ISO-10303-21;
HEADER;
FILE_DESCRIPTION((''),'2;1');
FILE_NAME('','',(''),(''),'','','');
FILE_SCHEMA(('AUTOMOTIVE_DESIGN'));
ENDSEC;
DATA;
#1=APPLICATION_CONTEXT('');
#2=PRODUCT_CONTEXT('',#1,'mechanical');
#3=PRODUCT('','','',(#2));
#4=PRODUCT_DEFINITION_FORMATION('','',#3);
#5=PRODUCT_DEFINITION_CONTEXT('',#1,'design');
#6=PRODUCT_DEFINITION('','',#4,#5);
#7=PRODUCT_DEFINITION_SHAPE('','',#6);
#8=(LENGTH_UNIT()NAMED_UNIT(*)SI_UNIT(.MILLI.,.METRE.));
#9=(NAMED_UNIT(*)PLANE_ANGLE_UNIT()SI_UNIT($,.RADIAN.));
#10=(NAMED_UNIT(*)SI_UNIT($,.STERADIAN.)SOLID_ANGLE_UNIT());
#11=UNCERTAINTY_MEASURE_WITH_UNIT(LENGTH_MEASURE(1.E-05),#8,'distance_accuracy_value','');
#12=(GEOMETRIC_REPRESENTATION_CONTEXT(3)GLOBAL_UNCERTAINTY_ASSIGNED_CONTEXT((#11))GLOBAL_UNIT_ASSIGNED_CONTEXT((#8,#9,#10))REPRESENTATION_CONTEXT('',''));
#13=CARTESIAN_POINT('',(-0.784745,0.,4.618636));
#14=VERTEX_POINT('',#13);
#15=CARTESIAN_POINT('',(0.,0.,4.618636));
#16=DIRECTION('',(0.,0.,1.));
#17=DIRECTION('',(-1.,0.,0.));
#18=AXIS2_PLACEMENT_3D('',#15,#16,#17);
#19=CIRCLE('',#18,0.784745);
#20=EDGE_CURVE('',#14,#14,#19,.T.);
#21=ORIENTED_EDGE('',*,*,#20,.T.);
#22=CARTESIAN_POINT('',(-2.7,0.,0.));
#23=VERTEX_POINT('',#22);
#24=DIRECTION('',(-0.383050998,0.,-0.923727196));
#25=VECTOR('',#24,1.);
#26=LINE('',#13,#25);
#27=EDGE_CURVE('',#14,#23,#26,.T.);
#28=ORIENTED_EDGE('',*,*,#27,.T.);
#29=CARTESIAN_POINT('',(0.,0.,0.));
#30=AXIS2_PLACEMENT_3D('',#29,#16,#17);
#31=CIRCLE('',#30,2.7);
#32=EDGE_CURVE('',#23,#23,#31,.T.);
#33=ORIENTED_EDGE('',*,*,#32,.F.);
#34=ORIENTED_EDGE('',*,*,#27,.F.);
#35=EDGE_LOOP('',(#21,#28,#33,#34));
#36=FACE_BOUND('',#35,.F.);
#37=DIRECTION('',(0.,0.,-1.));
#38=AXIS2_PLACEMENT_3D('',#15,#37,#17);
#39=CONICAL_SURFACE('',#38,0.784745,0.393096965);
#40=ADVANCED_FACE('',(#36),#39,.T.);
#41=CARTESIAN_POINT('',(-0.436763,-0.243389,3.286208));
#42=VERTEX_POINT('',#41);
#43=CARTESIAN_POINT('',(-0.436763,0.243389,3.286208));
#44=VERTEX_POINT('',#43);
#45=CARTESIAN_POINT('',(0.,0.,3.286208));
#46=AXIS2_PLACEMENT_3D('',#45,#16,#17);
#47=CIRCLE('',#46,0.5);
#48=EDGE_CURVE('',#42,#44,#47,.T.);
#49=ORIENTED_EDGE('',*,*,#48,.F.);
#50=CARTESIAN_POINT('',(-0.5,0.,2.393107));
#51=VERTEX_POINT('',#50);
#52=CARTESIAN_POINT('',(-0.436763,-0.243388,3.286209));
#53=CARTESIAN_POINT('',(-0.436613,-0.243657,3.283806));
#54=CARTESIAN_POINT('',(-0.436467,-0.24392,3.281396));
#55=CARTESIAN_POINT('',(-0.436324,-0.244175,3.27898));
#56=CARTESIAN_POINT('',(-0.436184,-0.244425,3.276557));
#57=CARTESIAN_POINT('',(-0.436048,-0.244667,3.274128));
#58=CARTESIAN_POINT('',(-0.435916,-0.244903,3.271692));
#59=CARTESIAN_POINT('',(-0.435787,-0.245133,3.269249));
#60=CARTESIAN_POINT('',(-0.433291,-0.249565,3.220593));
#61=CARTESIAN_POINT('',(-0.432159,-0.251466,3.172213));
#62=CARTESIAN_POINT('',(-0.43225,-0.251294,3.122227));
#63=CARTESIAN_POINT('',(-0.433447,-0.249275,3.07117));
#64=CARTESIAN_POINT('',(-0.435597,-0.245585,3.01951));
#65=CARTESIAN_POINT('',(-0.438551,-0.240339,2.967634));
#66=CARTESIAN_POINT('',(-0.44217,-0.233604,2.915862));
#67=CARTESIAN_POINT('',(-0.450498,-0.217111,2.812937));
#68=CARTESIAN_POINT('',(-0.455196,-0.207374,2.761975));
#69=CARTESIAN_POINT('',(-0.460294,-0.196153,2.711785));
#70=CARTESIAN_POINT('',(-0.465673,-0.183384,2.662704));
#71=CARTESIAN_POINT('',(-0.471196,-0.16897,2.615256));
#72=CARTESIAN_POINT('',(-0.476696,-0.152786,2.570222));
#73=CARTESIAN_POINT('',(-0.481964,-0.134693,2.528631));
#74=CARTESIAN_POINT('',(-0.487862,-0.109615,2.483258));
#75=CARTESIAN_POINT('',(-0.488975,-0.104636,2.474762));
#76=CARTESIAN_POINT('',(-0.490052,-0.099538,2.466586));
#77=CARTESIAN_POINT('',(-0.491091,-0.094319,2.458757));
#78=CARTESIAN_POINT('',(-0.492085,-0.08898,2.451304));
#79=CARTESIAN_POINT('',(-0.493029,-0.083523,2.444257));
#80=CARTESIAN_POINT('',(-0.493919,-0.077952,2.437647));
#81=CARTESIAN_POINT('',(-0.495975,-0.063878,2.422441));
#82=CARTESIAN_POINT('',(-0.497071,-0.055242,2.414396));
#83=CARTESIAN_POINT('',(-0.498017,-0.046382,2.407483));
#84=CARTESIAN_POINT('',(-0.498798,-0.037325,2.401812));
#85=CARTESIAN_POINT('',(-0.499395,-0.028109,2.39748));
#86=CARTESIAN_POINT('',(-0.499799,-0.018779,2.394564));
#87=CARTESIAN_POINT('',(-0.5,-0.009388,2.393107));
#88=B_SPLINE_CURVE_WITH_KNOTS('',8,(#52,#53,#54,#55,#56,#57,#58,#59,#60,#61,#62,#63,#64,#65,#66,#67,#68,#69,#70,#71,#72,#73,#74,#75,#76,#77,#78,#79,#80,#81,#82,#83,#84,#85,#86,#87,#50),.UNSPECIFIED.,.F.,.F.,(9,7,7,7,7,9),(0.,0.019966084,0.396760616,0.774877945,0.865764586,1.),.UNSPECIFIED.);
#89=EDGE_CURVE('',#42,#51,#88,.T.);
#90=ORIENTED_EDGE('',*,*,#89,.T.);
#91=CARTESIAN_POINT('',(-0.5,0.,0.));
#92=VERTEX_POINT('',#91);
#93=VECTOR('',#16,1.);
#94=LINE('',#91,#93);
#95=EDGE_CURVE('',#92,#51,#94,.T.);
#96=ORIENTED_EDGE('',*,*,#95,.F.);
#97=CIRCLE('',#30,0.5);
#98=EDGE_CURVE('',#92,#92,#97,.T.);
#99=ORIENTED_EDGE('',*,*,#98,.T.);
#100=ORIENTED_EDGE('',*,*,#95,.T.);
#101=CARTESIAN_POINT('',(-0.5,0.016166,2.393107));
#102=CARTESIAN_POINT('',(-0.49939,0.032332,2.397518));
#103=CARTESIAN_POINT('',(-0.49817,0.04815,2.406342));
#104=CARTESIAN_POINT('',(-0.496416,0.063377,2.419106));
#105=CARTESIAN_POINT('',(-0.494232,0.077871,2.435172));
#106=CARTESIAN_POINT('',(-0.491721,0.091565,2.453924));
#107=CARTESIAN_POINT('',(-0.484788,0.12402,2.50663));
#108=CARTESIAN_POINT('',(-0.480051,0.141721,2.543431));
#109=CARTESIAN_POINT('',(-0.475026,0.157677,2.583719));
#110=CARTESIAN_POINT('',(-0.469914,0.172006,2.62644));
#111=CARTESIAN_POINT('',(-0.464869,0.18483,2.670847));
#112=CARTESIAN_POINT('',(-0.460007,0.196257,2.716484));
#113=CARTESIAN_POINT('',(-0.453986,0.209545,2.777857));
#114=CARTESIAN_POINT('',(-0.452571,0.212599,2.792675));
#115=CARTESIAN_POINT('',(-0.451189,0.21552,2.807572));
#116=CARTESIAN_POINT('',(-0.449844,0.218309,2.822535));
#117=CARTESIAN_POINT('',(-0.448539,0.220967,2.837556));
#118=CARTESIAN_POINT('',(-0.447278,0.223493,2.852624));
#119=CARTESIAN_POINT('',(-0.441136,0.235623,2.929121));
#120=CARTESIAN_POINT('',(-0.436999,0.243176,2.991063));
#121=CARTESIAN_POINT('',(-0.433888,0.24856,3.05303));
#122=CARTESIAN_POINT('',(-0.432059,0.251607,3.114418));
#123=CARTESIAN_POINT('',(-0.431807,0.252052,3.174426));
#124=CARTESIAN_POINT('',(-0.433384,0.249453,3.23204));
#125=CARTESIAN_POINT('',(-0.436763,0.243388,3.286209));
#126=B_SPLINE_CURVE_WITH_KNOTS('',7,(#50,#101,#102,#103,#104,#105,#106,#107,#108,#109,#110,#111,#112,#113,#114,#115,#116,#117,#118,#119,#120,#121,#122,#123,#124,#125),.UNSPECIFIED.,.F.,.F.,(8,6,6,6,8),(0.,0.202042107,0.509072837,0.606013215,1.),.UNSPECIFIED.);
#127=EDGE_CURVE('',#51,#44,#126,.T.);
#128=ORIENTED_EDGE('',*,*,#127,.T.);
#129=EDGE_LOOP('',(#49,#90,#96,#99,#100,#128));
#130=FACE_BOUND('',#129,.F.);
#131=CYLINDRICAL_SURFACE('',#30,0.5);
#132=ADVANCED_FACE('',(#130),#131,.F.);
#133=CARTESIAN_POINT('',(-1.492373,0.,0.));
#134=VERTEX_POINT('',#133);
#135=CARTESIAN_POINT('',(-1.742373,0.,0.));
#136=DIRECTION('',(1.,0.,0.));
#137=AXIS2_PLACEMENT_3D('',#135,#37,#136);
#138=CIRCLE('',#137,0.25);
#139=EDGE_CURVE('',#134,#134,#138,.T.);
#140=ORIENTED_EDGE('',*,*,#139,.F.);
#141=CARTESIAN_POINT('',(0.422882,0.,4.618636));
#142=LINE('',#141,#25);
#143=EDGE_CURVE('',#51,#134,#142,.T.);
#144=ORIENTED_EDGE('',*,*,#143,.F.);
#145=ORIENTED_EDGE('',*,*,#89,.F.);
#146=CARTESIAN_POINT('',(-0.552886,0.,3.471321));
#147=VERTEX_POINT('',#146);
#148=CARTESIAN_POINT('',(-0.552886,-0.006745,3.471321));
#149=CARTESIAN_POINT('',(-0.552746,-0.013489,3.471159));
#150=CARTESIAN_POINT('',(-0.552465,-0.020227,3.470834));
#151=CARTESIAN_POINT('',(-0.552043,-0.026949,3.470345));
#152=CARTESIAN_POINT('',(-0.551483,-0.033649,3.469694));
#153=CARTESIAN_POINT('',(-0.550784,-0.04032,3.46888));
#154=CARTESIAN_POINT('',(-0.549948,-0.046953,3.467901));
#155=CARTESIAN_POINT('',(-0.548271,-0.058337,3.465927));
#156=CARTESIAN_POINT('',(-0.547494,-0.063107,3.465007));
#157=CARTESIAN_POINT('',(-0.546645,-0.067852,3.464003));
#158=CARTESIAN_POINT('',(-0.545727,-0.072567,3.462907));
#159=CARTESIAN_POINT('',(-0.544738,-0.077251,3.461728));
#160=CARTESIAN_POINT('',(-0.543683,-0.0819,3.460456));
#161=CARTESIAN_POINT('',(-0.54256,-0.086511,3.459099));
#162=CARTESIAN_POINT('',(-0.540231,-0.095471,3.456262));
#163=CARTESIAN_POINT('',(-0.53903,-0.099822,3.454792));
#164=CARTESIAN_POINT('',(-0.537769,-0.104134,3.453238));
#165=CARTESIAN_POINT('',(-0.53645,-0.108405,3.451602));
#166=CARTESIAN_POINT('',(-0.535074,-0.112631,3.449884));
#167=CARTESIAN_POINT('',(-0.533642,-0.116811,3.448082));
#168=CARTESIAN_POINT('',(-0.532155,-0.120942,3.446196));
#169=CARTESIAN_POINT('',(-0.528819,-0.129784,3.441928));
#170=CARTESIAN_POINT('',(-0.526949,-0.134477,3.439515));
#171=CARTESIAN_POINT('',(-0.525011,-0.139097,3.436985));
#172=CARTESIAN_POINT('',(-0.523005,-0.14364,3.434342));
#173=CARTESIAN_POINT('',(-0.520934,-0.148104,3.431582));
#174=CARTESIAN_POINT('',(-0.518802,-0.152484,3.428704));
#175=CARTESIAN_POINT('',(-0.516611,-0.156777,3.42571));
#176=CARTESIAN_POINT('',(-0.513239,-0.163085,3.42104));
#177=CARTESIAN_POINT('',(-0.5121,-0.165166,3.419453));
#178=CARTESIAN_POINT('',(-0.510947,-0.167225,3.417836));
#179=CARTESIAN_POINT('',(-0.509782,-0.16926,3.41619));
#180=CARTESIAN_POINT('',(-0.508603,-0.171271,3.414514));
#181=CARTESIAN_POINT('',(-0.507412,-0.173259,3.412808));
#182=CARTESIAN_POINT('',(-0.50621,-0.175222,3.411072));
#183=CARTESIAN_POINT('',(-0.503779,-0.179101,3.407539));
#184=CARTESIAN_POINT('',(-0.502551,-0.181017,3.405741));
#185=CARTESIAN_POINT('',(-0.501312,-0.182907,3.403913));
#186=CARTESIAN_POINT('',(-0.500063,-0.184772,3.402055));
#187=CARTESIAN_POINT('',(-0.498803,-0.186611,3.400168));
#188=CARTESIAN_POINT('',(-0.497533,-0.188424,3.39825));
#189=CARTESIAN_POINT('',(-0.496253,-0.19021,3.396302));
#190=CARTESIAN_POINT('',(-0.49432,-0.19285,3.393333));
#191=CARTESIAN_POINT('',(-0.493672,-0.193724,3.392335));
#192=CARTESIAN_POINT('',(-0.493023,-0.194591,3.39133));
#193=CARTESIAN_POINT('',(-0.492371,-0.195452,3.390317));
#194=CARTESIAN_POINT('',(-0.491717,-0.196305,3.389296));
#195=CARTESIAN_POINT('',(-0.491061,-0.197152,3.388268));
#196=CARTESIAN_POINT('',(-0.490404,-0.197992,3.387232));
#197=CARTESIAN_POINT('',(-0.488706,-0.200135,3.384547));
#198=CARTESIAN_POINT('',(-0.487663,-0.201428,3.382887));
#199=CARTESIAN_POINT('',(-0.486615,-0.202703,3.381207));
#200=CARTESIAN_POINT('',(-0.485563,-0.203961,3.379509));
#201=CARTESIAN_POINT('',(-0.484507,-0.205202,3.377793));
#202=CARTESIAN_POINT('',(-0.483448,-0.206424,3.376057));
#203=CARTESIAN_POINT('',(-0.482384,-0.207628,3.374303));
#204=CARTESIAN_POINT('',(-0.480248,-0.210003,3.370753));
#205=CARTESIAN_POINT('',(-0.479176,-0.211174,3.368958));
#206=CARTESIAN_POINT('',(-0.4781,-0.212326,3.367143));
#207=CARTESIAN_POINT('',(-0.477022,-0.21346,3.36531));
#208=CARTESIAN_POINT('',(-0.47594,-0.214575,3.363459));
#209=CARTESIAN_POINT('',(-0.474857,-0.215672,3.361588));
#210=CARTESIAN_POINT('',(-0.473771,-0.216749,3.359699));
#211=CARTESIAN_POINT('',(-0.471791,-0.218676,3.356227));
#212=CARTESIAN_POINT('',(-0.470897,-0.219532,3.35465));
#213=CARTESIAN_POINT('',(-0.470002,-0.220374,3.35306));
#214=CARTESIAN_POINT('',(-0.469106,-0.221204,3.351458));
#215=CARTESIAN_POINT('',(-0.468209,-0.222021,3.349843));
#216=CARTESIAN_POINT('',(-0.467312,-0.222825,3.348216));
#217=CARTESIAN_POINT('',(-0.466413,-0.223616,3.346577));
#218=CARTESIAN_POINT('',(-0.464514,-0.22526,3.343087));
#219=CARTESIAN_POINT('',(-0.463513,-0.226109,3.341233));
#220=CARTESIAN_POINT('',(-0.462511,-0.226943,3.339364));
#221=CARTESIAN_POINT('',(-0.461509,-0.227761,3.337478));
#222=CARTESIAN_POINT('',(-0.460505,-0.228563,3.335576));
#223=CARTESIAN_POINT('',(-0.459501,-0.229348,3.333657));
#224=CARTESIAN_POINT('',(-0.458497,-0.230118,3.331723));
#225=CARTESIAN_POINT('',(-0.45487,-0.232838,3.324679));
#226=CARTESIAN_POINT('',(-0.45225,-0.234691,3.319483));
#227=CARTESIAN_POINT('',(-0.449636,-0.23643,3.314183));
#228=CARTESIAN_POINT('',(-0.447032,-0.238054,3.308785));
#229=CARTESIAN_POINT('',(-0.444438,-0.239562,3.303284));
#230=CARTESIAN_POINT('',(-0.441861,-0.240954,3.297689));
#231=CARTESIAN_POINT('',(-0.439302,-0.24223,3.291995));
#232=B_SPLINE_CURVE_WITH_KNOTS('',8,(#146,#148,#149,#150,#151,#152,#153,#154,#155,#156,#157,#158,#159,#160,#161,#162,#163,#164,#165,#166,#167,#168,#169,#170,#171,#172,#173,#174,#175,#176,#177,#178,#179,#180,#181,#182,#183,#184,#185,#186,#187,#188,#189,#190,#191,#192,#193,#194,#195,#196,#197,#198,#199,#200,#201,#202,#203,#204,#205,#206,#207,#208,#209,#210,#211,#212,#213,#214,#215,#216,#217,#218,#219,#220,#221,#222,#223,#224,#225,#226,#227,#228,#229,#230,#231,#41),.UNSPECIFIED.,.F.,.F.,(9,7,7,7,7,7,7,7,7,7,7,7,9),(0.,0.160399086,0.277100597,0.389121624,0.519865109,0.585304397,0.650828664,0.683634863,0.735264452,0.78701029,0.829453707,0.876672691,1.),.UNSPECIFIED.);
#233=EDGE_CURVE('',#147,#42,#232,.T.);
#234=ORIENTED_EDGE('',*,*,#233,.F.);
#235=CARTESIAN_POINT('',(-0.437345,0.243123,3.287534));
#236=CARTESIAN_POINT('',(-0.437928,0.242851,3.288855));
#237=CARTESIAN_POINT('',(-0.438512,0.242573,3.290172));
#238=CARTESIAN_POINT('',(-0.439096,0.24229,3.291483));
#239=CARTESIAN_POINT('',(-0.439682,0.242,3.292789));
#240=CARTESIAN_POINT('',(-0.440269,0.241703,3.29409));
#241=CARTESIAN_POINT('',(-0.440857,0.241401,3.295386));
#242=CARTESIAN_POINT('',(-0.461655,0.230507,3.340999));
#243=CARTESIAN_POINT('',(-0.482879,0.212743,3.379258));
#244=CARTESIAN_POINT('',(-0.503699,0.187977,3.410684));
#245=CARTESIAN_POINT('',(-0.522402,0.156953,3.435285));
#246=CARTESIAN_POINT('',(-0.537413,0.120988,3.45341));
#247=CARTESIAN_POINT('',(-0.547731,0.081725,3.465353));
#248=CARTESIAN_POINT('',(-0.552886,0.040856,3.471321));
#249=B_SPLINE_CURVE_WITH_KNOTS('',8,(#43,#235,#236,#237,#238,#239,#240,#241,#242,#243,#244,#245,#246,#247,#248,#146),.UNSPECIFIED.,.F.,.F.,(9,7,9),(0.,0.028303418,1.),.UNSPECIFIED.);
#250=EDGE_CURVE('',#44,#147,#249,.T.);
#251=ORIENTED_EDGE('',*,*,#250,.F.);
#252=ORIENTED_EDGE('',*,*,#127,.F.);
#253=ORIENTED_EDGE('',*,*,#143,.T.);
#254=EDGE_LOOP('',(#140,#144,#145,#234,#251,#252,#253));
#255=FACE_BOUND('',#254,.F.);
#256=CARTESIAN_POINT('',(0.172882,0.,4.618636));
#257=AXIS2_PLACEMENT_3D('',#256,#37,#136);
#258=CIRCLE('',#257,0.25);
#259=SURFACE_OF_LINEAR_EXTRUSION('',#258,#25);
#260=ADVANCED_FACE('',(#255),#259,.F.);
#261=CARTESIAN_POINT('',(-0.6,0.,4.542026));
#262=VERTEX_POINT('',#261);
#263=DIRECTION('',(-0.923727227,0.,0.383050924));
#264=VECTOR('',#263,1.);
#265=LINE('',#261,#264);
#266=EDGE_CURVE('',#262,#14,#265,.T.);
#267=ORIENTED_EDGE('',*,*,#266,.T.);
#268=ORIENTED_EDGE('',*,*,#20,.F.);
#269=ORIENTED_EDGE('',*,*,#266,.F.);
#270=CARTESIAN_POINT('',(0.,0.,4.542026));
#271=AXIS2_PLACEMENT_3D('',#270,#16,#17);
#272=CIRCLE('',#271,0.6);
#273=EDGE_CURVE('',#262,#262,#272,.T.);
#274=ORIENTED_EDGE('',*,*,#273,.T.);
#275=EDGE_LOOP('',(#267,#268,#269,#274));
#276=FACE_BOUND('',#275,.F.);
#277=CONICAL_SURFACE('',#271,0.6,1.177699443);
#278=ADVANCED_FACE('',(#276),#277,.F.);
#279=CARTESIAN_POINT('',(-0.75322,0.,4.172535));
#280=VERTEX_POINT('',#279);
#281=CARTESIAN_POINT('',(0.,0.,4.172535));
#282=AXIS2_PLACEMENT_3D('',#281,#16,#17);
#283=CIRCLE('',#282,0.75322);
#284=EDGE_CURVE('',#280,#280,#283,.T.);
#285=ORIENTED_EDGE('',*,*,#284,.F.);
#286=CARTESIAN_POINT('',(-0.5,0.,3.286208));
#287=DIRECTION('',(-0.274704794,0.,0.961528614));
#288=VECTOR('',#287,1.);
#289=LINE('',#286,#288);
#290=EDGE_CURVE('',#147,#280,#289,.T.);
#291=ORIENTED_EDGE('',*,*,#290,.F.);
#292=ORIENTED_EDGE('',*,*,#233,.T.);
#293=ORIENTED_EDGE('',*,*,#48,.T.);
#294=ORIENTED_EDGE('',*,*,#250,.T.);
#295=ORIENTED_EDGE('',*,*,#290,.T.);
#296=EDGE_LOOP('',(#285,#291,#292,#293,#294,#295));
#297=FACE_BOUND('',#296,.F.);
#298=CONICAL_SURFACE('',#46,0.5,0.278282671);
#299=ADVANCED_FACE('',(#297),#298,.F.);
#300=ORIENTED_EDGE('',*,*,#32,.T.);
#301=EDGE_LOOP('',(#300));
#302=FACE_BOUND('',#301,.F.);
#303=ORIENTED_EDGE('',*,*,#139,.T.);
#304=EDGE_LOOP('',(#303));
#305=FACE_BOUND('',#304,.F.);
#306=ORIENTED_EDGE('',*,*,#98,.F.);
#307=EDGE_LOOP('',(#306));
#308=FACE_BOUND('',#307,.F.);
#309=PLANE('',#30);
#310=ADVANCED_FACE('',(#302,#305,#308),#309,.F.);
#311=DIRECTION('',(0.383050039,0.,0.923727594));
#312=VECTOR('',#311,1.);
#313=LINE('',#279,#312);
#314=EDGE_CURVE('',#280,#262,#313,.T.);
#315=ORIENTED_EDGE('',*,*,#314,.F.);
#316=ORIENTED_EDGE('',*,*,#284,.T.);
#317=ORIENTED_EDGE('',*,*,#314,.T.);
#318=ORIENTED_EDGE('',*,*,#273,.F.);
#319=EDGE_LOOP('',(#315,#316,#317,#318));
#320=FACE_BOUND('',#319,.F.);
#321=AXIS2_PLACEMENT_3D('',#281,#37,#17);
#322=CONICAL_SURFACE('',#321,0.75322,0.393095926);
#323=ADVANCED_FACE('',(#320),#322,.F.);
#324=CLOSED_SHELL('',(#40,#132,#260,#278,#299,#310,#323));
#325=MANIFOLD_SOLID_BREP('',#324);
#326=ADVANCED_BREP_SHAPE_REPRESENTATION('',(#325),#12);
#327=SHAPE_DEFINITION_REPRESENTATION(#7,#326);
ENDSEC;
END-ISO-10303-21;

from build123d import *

# Parameters (mm, degrees)
F3_R = 0.25


with BuildPart() as f1:
    # F0 (on Front) → F1 (revolve)
    with BuildSketch(Plane.XZ):
        Polygon((-0.5, 0), (-0.5, 3.286208), (-0.75322, 4.172535), (-0.6, 4.542026), (-0.784745, 4.618636), (-2.7, 0), align=None)
    revolve(axis=Axis((0, 0, 2.086268), (0, 0, 1)))

    # F4: sweep along a path in F0
    with BuildLine(Plane.XZ) as f4_path:
        Line((-0.784745, 4.618636), (-2.7, 0))
    # F3 (on face) → F4 (sweep, cut)
    with BuildSketch(Plane(origin=(0, 0, 0), x_dir=(1, 0, 0), z_dir=(0, 0, -1))):
        with Locations((-1.742373, 0)):
            Circle(F3_R)
    sweep(path=f4_path.line, mode=Mode.SUBTRACT)


solid = f1.part
